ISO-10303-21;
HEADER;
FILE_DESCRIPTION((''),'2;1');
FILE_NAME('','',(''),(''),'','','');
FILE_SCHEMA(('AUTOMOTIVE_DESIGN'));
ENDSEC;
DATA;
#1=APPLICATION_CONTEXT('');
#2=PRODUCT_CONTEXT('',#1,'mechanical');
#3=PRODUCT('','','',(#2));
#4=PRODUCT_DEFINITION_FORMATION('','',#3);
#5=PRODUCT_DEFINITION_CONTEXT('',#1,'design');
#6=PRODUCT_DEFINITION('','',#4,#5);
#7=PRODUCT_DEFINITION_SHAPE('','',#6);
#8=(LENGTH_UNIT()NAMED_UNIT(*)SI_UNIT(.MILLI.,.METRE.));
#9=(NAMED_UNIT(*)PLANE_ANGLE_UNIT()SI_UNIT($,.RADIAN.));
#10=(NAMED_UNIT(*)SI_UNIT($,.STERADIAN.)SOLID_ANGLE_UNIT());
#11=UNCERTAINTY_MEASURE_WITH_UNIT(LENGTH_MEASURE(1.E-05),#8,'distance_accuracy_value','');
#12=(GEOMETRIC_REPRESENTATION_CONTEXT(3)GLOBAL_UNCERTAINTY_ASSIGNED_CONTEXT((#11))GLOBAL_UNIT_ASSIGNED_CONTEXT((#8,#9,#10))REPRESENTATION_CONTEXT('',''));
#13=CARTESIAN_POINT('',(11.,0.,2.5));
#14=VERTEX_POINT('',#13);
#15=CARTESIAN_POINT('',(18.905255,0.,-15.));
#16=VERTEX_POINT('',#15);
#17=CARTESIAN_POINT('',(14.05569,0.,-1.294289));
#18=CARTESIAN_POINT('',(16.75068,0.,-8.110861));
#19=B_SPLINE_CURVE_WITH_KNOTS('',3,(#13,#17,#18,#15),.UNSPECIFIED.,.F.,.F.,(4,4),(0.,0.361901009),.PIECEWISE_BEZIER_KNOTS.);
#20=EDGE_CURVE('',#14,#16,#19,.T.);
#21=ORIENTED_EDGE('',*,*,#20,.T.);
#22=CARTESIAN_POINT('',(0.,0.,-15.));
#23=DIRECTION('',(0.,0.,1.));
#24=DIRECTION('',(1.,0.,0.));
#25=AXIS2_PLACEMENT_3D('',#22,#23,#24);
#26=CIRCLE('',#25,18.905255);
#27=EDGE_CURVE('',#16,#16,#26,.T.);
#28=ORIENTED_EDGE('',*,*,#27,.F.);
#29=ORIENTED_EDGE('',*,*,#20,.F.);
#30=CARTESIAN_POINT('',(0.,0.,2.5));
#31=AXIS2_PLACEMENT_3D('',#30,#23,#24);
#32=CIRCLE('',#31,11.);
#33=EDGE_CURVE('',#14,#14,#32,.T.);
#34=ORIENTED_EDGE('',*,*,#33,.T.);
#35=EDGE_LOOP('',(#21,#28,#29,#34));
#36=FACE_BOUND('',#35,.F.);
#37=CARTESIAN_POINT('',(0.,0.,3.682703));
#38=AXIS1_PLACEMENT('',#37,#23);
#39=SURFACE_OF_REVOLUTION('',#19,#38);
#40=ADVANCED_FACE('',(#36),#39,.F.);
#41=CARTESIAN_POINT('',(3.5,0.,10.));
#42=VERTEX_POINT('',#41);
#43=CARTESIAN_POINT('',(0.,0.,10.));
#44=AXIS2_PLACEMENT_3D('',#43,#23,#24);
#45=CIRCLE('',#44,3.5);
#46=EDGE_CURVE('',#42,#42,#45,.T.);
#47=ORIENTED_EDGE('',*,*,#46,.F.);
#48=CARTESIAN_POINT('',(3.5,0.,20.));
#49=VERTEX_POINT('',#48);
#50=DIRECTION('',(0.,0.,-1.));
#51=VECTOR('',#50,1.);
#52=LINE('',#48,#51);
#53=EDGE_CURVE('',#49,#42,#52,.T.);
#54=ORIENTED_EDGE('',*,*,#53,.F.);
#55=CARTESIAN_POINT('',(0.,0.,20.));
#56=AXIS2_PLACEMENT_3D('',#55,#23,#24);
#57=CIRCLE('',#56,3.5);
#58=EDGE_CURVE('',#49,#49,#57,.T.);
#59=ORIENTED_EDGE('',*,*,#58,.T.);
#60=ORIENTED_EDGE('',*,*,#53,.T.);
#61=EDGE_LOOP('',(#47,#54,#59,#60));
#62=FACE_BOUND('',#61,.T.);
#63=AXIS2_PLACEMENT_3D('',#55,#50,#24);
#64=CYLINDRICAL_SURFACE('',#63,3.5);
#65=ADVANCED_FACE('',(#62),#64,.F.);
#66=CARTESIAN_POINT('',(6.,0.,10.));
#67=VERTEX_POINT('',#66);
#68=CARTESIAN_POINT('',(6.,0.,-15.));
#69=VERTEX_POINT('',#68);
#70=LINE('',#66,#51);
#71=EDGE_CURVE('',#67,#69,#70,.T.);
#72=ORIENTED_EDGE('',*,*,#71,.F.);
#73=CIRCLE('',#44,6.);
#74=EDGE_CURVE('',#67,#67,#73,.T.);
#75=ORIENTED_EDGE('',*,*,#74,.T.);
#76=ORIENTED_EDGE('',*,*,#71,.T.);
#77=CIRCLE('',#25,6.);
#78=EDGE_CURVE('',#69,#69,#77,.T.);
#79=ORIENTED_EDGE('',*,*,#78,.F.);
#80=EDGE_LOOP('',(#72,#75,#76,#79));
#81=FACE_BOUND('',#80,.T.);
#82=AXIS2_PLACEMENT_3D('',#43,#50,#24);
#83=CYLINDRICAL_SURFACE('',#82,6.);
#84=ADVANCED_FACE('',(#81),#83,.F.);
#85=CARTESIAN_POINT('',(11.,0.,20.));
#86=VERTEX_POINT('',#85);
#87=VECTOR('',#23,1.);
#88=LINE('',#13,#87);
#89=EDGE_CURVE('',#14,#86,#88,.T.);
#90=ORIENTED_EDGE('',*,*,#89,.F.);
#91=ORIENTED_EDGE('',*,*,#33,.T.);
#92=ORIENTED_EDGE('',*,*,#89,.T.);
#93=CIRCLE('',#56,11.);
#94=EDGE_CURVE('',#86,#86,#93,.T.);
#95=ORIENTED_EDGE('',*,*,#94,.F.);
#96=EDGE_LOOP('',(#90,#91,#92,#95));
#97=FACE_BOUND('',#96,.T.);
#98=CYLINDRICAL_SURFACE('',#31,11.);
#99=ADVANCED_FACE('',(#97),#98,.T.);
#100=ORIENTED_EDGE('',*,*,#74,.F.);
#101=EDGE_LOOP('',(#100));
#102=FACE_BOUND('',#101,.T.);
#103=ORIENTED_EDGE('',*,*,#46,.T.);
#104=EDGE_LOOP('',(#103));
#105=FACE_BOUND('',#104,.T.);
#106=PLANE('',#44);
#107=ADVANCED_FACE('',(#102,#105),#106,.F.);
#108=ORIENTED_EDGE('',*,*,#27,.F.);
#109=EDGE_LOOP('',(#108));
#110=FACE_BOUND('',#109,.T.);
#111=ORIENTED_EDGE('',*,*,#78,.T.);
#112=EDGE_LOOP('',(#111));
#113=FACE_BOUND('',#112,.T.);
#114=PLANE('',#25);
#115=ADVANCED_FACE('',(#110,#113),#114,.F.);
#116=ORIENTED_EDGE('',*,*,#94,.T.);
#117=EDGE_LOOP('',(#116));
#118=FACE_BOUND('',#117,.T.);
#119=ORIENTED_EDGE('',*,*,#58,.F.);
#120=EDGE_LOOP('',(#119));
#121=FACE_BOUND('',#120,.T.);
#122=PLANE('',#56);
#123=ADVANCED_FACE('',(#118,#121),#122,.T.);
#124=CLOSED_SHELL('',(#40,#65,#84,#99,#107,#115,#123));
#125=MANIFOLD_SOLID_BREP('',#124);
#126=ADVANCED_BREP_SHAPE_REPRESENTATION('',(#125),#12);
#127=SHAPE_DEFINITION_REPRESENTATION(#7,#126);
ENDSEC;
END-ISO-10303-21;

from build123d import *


with BuildPart() as f1:
    # F0 (on Front) → F1 (revolve)
    with BuildSketch(Plane.XZ):
        with BuildLine():
            add(Edge.make_bspline(
                [(11, 2.5), (14.0556900188, -1.2942891031), (16.7506798401, -8.110861107), (18.9052545744, -15)],
                knots=[0, 0, 0, 0, 0.3619010088, 0.3619010088, 0.3619010088, 0.3619010088], degree=3))
            Line((11, 2.5), (11, -15))
            Line((11, -15), (18.9052545744, -15))
        make_face()
        Polygon((11, 20), (3.5, 20), (3.5, 10), (6, 10), (6, -15), (11, -15), (11, 2.5), align=None)
    revolve(axis=Axis((0, 0, 3.6827032454), (0, 0, 1)))


solid = f1.part
